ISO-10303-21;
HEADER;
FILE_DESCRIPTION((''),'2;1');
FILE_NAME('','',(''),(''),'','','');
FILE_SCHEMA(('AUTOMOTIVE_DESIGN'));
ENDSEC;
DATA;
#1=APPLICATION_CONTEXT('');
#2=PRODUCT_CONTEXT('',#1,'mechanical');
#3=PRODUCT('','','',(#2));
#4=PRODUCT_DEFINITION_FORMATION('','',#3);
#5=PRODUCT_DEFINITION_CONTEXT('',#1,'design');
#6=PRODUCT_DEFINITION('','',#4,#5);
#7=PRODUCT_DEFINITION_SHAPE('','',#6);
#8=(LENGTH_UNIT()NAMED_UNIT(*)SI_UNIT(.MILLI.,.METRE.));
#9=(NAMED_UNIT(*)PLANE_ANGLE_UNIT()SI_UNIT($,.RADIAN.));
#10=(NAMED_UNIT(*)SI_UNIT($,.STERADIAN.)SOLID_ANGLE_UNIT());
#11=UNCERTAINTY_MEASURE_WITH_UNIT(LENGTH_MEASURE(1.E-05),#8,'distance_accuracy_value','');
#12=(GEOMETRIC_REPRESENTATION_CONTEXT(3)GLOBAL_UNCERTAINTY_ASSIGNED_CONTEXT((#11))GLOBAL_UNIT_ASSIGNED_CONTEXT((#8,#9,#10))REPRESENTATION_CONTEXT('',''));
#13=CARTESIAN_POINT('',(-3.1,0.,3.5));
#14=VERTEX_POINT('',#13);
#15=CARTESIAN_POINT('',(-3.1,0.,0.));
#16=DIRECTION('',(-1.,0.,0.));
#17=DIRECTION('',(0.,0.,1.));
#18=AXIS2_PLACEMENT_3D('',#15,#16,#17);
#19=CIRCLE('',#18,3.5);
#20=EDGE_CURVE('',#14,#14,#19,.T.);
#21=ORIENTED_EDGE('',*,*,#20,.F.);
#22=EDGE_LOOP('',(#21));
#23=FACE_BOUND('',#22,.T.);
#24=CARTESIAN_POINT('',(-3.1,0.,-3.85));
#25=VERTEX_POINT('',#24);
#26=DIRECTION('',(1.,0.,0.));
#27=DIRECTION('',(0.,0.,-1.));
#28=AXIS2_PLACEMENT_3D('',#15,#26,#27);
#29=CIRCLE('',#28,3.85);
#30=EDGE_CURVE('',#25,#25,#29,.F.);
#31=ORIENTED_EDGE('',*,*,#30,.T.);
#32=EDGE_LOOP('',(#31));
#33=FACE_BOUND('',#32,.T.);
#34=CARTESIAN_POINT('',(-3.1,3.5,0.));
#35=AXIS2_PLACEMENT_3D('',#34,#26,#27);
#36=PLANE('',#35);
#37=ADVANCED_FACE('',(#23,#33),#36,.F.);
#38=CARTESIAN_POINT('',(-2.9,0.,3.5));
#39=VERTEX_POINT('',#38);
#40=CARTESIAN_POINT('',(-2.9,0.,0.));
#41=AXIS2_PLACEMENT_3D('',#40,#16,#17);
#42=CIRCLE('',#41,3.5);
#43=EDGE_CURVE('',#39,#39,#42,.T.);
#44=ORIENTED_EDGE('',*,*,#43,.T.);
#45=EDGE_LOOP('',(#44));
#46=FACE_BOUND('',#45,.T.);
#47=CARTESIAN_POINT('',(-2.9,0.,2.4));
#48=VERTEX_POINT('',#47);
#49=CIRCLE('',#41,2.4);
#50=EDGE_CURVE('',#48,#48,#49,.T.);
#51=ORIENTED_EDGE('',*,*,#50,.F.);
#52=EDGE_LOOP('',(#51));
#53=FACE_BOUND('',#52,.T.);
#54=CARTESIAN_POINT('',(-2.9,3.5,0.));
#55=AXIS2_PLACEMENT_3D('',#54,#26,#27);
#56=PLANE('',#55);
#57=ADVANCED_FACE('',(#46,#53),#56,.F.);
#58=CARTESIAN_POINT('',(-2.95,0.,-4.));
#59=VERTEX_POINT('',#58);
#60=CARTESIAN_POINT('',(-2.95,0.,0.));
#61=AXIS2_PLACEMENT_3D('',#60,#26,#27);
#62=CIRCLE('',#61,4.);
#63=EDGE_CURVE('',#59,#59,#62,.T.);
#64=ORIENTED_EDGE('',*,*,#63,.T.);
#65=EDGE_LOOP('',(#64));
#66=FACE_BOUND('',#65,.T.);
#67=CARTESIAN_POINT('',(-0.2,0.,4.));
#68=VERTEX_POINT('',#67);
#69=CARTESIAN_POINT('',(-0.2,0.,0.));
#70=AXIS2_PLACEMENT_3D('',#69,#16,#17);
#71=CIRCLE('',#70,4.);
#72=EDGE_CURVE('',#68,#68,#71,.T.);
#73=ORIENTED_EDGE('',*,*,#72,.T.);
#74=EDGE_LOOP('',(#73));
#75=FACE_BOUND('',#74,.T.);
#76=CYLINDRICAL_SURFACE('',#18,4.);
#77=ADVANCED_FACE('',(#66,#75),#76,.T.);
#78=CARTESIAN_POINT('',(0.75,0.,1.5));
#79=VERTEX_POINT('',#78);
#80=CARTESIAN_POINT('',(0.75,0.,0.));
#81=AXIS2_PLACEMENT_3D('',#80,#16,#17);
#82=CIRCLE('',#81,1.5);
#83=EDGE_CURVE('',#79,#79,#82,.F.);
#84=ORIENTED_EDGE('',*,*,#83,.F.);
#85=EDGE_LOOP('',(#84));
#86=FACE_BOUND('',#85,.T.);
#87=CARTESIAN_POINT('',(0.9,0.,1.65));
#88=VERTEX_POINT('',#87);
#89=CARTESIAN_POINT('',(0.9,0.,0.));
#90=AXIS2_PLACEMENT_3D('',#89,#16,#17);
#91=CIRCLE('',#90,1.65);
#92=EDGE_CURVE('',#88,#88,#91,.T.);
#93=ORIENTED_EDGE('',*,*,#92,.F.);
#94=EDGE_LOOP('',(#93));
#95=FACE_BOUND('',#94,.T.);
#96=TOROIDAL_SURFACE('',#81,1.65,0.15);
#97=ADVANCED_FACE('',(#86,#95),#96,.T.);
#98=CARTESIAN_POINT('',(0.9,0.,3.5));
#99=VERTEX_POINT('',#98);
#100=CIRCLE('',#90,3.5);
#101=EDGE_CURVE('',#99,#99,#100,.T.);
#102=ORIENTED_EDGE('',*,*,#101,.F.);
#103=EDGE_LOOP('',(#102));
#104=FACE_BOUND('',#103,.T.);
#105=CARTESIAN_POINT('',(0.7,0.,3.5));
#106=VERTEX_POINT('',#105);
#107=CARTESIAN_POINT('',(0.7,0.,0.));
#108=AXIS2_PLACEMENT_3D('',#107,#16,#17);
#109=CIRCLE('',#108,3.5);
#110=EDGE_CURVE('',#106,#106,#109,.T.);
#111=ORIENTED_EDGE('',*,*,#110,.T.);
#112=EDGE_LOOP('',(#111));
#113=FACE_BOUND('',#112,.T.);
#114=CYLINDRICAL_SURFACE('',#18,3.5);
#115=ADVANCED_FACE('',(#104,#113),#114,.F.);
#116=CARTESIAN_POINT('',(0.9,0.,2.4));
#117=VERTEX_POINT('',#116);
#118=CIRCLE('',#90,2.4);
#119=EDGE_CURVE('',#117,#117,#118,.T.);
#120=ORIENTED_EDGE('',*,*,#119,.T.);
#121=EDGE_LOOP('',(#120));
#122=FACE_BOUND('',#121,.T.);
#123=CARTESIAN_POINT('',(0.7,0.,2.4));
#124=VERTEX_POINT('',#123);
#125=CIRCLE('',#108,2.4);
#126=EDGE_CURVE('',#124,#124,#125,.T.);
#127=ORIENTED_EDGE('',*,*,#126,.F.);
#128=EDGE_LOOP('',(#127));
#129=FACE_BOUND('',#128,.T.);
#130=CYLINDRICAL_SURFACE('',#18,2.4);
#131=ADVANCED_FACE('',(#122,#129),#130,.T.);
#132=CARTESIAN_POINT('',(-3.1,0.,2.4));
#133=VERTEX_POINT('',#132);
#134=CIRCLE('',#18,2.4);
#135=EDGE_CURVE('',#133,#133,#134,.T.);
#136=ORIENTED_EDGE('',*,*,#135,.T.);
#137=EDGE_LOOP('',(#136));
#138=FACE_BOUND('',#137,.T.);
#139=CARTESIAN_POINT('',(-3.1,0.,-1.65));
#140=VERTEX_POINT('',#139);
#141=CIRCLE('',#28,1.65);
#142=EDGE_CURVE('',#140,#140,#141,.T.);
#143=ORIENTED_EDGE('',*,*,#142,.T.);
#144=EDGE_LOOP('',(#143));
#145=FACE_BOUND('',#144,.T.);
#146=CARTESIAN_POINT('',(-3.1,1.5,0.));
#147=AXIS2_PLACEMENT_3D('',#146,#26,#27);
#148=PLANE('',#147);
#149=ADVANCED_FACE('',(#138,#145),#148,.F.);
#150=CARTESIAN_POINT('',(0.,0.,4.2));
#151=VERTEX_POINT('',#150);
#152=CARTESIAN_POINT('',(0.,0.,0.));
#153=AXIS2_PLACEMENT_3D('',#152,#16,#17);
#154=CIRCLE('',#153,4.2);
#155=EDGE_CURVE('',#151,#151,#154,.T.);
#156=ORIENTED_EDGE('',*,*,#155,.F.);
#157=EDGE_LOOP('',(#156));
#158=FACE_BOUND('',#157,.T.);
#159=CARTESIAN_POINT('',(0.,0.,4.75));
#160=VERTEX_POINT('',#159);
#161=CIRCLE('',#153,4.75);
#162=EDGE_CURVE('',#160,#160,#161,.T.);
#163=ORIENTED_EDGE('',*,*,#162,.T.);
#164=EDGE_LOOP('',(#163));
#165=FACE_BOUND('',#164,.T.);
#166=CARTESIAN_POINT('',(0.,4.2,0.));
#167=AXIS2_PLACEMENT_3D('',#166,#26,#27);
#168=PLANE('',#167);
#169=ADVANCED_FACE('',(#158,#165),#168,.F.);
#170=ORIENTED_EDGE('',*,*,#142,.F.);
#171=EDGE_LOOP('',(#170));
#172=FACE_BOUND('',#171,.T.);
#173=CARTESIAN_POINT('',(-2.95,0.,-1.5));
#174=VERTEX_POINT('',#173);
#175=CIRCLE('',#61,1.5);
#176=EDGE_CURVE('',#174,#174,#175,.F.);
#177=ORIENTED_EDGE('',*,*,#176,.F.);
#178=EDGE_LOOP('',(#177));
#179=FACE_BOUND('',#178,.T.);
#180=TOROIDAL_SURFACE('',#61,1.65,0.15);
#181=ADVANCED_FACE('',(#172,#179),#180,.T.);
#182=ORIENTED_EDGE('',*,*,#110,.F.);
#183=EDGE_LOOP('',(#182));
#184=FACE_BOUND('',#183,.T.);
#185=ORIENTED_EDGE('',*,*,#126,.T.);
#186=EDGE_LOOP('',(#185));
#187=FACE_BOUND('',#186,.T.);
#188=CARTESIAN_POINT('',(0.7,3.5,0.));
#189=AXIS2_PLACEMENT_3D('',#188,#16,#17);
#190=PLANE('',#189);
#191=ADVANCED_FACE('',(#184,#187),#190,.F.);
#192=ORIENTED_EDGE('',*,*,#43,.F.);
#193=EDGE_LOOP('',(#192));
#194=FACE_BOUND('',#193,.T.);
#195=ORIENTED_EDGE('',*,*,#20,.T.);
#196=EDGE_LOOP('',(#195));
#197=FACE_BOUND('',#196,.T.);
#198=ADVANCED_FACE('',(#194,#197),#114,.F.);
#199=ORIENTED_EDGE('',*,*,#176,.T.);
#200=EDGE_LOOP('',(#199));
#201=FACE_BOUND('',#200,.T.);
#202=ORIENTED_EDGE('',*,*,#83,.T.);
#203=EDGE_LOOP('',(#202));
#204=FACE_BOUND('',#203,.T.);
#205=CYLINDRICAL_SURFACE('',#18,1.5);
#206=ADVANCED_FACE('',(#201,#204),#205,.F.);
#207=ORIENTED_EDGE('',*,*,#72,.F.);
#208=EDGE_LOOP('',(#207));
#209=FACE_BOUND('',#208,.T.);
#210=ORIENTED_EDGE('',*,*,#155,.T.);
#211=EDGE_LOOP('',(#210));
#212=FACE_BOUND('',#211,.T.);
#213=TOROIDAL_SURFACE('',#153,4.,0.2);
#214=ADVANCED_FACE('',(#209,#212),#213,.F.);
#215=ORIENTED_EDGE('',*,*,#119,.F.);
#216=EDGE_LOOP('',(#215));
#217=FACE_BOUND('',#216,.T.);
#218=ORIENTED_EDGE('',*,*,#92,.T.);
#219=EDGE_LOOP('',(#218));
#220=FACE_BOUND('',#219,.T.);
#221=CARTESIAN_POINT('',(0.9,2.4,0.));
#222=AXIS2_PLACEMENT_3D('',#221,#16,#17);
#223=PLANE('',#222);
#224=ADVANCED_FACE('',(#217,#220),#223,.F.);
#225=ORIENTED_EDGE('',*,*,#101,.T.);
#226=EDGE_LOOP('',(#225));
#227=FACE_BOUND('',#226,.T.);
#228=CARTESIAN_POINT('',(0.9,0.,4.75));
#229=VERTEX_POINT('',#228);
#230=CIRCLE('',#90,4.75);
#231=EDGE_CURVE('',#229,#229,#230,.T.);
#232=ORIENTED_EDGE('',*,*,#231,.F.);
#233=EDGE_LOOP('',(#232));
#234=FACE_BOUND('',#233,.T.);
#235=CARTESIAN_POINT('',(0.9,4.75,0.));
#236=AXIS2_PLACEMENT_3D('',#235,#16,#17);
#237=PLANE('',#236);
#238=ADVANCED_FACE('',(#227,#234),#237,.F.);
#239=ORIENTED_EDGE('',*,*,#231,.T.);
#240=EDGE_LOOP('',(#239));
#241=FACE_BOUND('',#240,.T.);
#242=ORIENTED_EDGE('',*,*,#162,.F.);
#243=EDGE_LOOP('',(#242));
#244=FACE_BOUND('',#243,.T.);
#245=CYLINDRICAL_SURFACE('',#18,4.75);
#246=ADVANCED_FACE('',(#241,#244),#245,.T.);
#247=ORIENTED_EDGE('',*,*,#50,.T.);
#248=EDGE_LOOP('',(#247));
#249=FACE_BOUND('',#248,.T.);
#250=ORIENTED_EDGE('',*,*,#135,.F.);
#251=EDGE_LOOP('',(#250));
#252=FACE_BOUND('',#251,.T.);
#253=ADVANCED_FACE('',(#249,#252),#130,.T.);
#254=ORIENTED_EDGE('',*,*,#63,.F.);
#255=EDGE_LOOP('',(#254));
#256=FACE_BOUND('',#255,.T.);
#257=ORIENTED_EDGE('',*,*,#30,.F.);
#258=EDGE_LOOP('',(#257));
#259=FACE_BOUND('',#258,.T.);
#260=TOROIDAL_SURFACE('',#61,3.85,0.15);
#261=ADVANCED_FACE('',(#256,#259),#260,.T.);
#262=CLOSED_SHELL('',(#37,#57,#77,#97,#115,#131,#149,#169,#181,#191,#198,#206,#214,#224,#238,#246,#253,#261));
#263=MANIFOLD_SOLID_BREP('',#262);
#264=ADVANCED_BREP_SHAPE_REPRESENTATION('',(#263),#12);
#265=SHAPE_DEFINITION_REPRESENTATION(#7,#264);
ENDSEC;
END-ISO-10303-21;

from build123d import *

# Parameters (mm, degrees)
FILLET1_R = 0.15


with BuildPart() as part:
    # Sketch1 → Revolve1 (revolve)
    with BuildSketch(Plane.XY):
        with BuildLine():
            Line((0, 4.2), (0, 4.75))
            Line((0, 4.75), (0.9, 4.75))
            Line((0.9, 4.75), (0.9, 3.5))
            Line((0.9, 3.5), (0.7, 3.5))
            Line((0.7, 3.5), (0.7, 2.4))
            Line((0.7, 2.4), (0.9, 2.4))
            Line((0.9, 2.4), (0.9, 1.5))
            Line((0.9, 1.5), (-3.1, 1.5))
            Line((-3.1, 1.5), (-3.1, 2.4))
            Line((-3.1, 2.4), (-2.9, 2.4))
            Line((-2.9, 2.4), (-2.9, 3.5))
            Line((-2.9, 3.5), (-3.1, 3.5))
            Line((-3.1, 3.5), (-3.1, 4))
            Line((-3.1, 4), (-0.2, 4))
            ThreePointArc((-0.2, 4), (0.141421356, 3.858578644), (0, 4.2))
        make_face()
    revolve(axis=Axis((-3.1, 0, 0), (1, 0, 0)))

    # Fillet1
    fillet1_edges = [part.edges().sort_by_distance(p)[0] for p in [
        (0.9, -1.5, 0),
        (-3.1, -1.5, 0),
        (-3.1, -4, 0),
    ]]
    fillet(fillet1_edges, radius=FILLET1_R)


solid = part.part
